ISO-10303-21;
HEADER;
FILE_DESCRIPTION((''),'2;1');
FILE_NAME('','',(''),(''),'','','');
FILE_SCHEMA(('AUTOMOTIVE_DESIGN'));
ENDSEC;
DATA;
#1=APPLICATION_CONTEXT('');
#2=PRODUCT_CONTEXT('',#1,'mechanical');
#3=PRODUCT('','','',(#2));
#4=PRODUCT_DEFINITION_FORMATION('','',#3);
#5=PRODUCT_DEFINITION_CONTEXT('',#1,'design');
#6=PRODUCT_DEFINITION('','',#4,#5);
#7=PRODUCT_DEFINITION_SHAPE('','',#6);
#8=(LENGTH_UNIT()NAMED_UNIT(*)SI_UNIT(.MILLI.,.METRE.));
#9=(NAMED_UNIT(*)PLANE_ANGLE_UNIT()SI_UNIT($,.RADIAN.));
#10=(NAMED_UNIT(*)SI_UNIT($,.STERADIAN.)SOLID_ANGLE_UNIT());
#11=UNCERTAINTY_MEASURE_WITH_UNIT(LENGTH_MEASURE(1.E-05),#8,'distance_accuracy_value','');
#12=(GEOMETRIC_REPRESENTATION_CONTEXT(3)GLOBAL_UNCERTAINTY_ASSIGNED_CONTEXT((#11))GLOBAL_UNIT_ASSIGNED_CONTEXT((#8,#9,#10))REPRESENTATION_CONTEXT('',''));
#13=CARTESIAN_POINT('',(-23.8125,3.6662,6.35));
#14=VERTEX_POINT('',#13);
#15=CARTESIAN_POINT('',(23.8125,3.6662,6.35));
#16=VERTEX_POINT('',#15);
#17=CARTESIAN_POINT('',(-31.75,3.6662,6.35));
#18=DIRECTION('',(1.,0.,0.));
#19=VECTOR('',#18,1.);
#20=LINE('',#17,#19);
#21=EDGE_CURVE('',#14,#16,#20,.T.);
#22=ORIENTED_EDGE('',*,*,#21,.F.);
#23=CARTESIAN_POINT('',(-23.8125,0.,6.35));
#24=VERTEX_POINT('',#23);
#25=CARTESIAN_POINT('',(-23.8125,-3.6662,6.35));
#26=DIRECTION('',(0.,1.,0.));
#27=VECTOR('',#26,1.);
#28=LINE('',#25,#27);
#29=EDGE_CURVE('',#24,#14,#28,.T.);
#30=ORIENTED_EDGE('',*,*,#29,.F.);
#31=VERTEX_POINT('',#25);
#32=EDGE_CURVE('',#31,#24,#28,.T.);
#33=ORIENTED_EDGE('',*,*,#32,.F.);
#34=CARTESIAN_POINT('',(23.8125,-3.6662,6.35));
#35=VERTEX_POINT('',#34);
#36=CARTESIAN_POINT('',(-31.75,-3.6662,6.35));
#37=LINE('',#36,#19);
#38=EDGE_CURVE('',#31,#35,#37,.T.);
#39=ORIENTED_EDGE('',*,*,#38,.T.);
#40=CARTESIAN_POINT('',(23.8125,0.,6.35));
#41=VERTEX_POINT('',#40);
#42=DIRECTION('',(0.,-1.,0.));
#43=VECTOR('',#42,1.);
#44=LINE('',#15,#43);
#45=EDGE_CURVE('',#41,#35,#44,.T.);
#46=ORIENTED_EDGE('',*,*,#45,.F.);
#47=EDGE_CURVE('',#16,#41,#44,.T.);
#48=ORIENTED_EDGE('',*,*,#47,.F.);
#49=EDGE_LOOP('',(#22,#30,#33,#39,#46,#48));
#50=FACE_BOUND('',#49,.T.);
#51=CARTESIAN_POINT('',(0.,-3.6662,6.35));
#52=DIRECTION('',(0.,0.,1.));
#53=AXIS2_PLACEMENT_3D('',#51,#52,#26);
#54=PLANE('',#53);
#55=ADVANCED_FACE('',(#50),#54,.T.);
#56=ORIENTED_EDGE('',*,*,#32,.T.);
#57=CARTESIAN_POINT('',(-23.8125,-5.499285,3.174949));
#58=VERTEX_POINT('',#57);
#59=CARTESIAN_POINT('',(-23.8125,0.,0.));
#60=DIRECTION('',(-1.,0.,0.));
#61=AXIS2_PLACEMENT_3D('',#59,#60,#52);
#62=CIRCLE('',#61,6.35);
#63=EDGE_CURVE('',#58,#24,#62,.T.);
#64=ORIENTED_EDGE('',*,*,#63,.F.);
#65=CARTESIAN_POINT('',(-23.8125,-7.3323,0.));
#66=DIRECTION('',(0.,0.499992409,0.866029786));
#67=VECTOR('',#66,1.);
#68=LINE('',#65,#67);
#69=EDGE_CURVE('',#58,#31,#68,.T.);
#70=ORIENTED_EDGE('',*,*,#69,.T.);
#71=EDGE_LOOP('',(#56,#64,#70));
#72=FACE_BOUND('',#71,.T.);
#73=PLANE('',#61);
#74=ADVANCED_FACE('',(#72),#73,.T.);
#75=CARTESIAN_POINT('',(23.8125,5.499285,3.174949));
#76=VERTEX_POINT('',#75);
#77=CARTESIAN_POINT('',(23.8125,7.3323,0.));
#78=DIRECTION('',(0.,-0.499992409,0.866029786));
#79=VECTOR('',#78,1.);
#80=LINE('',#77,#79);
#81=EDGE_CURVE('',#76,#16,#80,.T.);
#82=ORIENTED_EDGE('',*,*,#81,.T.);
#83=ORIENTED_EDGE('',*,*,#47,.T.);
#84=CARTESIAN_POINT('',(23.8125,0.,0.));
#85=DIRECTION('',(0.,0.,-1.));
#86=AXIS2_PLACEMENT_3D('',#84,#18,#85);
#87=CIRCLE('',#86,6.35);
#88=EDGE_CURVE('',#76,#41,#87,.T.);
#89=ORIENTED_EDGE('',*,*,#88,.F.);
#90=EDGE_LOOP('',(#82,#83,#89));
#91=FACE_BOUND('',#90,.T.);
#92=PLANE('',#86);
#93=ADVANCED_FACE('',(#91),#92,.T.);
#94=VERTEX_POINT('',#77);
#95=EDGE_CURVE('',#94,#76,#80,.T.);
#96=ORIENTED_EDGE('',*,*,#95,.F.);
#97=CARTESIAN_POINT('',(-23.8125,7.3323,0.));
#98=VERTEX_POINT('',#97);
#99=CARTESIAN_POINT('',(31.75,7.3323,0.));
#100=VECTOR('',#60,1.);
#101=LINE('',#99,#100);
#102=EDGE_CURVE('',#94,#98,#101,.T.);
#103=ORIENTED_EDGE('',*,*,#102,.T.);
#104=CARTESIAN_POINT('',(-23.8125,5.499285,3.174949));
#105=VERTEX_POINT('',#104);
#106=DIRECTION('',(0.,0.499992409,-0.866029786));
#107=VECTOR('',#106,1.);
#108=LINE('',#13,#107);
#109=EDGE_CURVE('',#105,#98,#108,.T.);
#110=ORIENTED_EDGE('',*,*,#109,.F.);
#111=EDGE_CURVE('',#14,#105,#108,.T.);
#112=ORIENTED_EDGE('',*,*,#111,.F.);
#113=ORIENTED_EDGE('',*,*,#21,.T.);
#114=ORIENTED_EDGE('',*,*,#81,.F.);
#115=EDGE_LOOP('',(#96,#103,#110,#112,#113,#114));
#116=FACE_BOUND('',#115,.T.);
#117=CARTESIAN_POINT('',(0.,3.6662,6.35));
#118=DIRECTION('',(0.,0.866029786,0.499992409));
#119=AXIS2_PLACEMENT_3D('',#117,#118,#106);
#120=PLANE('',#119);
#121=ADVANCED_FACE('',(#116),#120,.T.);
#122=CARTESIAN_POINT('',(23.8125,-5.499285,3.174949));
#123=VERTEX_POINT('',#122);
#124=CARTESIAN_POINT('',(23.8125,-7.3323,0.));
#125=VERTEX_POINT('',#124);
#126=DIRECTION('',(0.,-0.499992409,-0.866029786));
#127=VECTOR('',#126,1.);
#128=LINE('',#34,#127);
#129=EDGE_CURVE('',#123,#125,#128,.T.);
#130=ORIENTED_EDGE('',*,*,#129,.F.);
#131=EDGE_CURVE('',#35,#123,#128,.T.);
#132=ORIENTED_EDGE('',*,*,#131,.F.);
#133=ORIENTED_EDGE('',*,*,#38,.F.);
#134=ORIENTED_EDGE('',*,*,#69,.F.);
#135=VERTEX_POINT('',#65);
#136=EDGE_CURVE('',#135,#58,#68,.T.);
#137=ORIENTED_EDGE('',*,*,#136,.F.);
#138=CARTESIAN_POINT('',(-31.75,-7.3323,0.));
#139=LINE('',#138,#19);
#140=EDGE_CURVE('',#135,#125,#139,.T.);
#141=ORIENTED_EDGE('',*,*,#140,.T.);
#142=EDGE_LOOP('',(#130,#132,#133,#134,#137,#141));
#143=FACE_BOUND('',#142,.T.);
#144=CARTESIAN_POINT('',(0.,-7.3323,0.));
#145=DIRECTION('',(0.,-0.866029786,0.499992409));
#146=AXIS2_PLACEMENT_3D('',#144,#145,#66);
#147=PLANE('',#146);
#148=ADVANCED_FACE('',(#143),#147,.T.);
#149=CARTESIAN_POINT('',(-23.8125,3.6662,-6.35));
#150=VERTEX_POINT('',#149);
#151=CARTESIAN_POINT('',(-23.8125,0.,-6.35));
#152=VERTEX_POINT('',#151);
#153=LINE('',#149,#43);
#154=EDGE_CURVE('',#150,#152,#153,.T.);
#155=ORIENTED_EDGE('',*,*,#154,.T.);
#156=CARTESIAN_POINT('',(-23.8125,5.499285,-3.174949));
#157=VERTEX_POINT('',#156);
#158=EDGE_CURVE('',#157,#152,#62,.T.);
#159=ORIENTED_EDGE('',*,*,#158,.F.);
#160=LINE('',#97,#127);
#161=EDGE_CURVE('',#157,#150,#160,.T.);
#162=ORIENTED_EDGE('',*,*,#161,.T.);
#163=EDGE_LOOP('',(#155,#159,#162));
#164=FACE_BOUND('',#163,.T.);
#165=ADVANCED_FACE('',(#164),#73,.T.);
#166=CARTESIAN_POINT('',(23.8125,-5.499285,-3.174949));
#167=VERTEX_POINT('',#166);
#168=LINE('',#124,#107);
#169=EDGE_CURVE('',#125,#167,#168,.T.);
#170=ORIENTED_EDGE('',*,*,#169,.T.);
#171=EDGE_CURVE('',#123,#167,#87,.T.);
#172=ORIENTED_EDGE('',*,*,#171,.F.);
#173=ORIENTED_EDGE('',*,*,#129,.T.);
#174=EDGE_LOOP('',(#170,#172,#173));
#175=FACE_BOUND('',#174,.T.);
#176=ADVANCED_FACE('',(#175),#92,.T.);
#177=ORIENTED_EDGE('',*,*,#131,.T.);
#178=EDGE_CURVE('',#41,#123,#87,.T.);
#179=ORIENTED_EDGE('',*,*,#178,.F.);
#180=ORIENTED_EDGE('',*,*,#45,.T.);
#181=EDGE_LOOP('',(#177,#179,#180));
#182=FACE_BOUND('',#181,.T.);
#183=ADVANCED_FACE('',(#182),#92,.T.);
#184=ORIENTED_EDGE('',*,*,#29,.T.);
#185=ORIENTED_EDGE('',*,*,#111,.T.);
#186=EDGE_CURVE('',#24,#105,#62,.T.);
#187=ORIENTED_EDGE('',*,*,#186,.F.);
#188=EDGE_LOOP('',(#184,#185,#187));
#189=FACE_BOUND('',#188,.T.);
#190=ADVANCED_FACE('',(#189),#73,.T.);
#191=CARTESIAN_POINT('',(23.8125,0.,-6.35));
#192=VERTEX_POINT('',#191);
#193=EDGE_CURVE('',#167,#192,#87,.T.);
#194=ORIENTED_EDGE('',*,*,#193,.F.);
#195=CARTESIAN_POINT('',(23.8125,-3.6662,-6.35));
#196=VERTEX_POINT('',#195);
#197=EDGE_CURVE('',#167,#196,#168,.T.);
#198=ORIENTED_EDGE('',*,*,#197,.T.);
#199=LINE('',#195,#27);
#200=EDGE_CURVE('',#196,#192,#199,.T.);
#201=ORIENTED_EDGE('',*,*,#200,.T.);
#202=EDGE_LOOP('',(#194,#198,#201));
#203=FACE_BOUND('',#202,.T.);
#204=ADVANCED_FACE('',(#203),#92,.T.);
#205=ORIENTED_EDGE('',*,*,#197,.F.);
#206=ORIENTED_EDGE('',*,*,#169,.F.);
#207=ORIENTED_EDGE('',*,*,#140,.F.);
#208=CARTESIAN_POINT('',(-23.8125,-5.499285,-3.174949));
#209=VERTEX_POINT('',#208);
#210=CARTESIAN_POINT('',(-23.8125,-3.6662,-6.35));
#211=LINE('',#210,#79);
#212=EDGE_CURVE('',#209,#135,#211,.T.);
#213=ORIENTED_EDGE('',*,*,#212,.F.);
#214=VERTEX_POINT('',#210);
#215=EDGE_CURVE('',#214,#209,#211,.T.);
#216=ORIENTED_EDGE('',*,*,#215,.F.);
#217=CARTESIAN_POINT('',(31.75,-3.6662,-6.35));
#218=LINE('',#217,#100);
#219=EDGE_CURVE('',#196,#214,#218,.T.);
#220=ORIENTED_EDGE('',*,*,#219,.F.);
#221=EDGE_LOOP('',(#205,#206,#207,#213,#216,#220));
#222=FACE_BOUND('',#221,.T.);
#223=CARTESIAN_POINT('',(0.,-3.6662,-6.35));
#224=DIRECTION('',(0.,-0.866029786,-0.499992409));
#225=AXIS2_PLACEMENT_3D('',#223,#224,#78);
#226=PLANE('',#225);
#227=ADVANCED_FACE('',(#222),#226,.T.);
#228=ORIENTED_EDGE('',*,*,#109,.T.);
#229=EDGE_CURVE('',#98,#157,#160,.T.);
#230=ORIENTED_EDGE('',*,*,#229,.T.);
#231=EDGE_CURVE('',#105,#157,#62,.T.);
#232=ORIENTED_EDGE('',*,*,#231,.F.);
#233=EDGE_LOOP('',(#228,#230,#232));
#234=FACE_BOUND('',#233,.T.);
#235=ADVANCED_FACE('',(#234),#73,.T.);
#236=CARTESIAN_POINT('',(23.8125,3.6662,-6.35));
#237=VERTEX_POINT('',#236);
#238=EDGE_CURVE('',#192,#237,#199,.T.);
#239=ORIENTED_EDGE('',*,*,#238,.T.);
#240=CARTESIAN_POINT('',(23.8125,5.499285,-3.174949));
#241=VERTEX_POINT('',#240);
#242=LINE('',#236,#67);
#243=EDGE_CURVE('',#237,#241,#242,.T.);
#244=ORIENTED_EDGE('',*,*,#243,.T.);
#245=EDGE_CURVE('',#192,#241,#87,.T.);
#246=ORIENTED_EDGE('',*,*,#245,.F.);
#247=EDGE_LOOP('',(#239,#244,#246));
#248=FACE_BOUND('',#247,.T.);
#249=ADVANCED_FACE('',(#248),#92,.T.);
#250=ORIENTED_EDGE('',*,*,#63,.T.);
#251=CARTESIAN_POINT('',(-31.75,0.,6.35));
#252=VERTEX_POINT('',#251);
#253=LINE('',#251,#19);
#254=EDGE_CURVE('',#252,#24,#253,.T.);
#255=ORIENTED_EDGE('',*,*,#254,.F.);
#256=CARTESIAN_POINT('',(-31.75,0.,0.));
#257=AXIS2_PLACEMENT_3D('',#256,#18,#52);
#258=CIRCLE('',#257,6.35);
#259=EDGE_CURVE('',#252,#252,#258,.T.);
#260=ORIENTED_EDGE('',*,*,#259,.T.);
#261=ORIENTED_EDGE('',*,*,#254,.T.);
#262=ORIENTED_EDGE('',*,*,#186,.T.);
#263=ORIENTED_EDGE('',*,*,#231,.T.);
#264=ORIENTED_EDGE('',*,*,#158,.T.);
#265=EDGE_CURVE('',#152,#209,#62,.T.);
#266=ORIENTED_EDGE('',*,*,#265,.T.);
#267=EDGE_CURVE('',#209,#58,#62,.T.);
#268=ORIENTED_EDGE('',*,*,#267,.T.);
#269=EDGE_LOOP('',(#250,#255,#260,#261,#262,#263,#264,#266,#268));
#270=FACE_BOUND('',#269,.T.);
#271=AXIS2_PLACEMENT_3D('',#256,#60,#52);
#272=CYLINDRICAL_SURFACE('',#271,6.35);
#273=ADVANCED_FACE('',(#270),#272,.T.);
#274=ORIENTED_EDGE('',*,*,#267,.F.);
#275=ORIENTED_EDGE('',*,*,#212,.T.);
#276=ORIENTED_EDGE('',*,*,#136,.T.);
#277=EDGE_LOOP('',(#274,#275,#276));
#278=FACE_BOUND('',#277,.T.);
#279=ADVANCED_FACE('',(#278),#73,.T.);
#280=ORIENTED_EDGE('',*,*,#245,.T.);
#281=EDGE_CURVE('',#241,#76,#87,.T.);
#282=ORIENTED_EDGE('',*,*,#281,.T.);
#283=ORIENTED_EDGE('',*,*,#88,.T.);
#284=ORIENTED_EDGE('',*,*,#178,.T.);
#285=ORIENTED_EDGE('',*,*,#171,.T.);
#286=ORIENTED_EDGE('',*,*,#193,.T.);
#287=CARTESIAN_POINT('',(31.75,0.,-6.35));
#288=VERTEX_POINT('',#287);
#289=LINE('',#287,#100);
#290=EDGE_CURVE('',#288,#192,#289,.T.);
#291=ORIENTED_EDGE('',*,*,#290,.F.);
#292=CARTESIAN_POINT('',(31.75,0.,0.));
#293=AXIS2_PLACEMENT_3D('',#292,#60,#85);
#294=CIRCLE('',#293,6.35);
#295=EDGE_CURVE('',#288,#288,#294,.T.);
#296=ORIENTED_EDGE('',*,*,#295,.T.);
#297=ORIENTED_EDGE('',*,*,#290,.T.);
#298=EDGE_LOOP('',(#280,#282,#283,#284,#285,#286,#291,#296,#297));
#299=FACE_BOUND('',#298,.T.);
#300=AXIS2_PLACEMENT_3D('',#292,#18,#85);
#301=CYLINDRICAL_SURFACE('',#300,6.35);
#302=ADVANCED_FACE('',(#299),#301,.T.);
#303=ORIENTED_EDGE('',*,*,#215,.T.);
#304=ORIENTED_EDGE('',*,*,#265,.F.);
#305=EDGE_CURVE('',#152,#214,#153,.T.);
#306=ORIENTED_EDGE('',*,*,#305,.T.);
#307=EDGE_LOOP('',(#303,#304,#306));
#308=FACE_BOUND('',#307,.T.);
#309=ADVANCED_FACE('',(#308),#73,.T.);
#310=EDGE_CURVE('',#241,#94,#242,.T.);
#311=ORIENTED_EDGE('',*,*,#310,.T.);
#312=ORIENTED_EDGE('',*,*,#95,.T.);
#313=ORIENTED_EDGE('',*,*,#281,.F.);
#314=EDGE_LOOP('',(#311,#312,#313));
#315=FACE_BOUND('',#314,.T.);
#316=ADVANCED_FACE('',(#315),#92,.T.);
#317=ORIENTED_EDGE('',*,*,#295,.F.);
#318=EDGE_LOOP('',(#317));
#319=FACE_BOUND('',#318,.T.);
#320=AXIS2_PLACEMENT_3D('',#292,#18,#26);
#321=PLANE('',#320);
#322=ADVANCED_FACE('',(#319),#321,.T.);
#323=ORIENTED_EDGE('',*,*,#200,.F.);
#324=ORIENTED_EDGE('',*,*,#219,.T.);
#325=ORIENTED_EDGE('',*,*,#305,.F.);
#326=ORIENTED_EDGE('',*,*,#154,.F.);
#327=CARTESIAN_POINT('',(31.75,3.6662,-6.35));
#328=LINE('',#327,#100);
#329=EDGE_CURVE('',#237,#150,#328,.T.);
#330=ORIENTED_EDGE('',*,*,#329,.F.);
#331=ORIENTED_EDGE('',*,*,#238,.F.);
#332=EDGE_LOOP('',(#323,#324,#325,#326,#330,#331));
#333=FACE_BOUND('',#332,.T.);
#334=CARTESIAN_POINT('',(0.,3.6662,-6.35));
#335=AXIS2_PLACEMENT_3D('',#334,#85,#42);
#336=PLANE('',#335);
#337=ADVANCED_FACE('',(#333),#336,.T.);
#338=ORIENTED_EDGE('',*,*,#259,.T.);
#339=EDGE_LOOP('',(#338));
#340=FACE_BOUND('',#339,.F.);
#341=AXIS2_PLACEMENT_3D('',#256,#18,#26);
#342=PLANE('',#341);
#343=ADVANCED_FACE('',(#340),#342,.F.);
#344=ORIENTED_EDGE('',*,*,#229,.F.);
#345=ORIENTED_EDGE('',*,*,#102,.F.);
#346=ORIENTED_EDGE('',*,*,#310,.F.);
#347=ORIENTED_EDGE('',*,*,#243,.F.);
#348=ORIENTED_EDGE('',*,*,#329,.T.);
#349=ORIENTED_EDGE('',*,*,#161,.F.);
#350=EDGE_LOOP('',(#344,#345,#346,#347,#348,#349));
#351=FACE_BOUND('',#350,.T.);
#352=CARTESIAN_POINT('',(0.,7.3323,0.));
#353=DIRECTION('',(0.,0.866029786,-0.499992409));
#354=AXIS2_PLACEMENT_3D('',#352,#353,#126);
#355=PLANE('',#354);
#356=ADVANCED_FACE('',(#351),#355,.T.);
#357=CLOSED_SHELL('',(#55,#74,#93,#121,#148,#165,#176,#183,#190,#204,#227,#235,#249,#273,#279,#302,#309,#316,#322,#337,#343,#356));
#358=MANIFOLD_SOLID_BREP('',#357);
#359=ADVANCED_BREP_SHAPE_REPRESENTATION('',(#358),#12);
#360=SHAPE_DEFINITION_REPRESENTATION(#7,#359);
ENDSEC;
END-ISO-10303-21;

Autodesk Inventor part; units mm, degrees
ref_plane "YZ Plane" through (0, 0, 0) normal (1, 0, 0) x (0, 1, 0)
ref_plane "XZ Plane" through (0, 0, 0) normal (0, 1, 0) x (-1, 0, 0)
ref_plane "XY Plane" through (0, 0, 0) normal (0, 0, 1) x (1, 0, 0)
sketch "Sketch1" plane through (0, 0, 0) normal (1, 0, 0) x (0, 1, 0)
  line L0 (3.6662, 6.35) -> (7.3323, 0)
  line L1 (7.3323, 0) -> (3.6662, -6.35)
  line L2 (3.6662, -6.35) -> (-3.6662, -6.35)
  line L3 (-3.6662, -6.35) -> (-7.3323, 0)
  line L4 (-7.3323, 0) -> (-3.6662, 6.35)
  line L5 (-3.6662, 6.35) -> (3.6662, 6.35)
  point P0 (0, 0)
  point P1 (0, 0)
  dimension "d0" = 12.7
extrude "Extrusion1" add sketch "Sketch1" along normal mid plane 63.5
sketch "Sketch2" plane through (31.75, 0, 0) normal (1, 0, 0) x (0, 0, -1)
  line L0 (-6.35, -3.6662) -> (0, -7.3323) projected
  line L1 (0, -7.3323) -> (6.35, -3.6662) projected
  line L2 (6.35, -3.6662) -> (6.35, 3.6662) projected
  line L3 (6.35, 3.6662) -> (0, 7.3323) projected
  line L4 (0, 7.3323) -> (-6.35, 3.6662) projected
  line L5 (-6.35, 3.6662) -> (-6.35, -3.6662) projected
  circle A0 centre (0, 0) radius 6.35
  point P0 (-3.175, 5.4993)
  point P1 (3.175, 5.4993)
  point P2 (6.35, 0)
  point P3 (3.175, -5.4993)
  point P4 (-3.175, -5.4993)
  point P5 (-6.35, 0)
  dimension "d3" = 12.7
extrude "Extrusion2" cut sketch "Sketch2" against normal blind 7.9375 contours L5 A0 L0 | A0 L1 L0 | L5 L4 A0 | A0 L2 L1 | L4 L3 A0 | A0 L3 L2
sketch "Sketch3" plane through (-31.75, 0, 0) normal (-1, 0, 0) x (0, 0, 1)
  line L0 (0, -7.3323) -> (6.35, -3.6662) projected
  line L1 (6.35, -3.6662) -> (6.35, 3.6662) projected
  line L2 (6.35, 3.6662) -> (0, 7.3323) projected
  line L3 (0, 7.3323) -> (-6.35, 3.6662) projected
  line L4 (-6.35, 3.6662) -> (-6.35, -3.6662) projected
  line L5 (-6.35, -3.6662) -> (0, -7.3323) projected
  circle A0 centre (0, 0) radius 6.35
  point P0 (-6.35, 0)
  point P1 (-3.175, 5.4993)
  point P2 (3.175, 5.4993)
  point P3 (6.35, 0)
  point P4 (3.175, -5.4993)
  point P5 (-3.175, -5.4993)
  dimension "d6" = 12.7
extrude "Extrusion3" cut sketch "Sketch3" against normal blind 7.9375 contours L5 A0 L0 | A0 L1 L0 | L5 L4 A0 | A0 L2 L1 | L4 L3 A0 | A0 L3 L2
properties part number "EL2-CGB-002" material "Aluminum 6061"
